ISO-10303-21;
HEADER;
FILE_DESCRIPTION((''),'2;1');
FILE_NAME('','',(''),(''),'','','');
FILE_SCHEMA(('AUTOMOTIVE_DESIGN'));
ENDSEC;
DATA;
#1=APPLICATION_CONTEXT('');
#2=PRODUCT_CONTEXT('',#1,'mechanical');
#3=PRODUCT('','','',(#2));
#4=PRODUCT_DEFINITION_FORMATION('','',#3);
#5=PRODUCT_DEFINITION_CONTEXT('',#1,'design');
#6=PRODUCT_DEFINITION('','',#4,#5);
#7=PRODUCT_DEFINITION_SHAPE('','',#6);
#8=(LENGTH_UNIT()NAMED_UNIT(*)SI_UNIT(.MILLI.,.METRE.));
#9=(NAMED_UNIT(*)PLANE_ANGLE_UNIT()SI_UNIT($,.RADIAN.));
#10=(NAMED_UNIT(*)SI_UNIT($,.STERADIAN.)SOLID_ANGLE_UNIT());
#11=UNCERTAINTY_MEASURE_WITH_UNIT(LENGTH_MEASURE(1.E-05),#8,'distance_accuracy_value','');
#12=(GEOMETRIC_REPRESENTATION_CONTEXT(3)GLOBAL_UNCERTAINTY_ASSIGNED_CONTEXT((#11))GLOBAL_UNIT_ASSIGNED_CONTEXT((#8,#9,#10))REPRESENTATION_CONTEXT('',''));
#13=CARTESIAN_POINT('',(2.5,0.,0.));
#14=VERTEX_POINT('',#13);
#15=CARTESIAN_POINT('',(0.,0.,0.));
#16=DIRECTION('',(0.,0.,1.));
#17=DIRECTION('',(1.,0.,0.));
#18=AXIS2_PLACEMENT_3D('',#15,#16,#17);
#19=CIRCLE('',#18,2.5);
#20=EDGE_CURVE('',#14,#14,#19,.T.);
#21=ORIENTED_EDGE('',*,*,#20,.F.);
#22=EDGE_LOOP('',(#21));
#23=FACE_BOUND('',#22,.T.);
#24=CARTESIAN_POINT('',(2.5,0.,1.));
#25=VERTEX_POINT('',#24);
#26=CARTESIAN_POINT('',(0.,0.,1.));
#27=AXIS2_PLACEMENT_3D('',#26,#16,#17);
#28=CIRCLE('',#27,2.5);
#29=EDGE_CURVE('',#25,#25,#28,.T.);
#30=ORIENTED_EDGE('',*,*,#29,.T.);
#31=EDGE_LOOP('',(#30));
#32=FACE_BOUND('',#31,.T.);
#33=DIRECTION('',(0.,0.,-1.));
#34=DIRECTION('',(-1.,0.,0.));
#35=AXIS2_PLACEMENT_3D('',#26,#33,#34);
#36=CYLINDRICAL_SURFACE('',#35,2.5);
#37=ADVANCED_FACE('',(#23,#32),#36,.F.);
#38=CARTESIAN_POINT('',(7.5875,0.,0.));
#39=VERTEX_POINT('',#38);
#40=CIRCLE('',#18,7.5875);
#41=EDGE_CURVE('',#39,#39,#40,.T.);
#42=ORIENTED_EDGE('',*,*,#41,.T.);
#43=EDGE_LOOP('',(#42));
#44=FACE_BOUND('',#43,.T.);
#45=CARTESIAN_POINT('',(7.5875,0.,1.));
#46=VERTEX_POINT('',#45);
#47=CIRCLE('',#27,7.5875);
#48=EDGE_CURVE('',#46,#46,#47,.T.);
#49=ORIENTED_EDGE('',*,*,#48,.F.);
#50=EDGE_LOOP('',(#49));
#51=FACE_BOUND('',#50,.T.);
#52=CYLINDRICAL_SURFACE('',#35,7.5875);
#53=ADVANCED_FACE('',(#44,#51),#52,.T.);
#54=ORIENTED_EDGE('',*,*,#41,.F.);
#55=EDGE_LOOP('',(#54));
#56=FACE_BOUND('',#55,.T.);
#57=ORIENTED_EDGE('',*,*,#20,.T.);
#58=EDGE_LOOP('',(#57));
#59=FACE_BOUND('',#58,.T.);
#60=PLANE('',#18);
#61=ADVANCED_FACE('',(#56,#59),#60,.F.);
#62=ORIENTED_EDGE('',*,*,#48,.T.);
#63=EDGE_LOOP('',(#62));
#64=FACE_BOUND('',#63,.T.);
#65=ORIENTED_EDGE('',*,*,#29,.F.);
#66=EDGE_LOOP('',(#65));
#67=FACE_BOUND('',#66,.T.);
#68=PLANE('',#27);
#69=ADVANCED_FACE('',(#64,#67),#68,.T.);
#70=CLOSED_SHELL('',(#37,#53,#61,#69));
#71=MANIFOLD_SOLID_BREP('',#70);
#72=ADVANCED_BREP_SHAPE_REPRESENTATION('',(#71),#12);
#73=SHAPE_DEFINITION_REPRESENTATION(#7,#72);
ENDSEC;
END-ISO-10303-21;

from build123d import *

# Parameters (mm, degrees)
SKETCH1_R           = 7.5875
SKETCH1_R_2         = 2.5
BOSS_EXTRUDE1_DEPTH = 1


with BuildPart() as part:
    # Sketch1 → Boss-Extrude1 (new body)
    with BuildSketch(Plane.XY):
        Circle(SKETCH1_R)
        Circle(SKETCH1_R_2, mode=Mode.SUBTRACT)
    extrude(amount=BOSS_EXTRUDE1_DEPTH)


solid = part.part
